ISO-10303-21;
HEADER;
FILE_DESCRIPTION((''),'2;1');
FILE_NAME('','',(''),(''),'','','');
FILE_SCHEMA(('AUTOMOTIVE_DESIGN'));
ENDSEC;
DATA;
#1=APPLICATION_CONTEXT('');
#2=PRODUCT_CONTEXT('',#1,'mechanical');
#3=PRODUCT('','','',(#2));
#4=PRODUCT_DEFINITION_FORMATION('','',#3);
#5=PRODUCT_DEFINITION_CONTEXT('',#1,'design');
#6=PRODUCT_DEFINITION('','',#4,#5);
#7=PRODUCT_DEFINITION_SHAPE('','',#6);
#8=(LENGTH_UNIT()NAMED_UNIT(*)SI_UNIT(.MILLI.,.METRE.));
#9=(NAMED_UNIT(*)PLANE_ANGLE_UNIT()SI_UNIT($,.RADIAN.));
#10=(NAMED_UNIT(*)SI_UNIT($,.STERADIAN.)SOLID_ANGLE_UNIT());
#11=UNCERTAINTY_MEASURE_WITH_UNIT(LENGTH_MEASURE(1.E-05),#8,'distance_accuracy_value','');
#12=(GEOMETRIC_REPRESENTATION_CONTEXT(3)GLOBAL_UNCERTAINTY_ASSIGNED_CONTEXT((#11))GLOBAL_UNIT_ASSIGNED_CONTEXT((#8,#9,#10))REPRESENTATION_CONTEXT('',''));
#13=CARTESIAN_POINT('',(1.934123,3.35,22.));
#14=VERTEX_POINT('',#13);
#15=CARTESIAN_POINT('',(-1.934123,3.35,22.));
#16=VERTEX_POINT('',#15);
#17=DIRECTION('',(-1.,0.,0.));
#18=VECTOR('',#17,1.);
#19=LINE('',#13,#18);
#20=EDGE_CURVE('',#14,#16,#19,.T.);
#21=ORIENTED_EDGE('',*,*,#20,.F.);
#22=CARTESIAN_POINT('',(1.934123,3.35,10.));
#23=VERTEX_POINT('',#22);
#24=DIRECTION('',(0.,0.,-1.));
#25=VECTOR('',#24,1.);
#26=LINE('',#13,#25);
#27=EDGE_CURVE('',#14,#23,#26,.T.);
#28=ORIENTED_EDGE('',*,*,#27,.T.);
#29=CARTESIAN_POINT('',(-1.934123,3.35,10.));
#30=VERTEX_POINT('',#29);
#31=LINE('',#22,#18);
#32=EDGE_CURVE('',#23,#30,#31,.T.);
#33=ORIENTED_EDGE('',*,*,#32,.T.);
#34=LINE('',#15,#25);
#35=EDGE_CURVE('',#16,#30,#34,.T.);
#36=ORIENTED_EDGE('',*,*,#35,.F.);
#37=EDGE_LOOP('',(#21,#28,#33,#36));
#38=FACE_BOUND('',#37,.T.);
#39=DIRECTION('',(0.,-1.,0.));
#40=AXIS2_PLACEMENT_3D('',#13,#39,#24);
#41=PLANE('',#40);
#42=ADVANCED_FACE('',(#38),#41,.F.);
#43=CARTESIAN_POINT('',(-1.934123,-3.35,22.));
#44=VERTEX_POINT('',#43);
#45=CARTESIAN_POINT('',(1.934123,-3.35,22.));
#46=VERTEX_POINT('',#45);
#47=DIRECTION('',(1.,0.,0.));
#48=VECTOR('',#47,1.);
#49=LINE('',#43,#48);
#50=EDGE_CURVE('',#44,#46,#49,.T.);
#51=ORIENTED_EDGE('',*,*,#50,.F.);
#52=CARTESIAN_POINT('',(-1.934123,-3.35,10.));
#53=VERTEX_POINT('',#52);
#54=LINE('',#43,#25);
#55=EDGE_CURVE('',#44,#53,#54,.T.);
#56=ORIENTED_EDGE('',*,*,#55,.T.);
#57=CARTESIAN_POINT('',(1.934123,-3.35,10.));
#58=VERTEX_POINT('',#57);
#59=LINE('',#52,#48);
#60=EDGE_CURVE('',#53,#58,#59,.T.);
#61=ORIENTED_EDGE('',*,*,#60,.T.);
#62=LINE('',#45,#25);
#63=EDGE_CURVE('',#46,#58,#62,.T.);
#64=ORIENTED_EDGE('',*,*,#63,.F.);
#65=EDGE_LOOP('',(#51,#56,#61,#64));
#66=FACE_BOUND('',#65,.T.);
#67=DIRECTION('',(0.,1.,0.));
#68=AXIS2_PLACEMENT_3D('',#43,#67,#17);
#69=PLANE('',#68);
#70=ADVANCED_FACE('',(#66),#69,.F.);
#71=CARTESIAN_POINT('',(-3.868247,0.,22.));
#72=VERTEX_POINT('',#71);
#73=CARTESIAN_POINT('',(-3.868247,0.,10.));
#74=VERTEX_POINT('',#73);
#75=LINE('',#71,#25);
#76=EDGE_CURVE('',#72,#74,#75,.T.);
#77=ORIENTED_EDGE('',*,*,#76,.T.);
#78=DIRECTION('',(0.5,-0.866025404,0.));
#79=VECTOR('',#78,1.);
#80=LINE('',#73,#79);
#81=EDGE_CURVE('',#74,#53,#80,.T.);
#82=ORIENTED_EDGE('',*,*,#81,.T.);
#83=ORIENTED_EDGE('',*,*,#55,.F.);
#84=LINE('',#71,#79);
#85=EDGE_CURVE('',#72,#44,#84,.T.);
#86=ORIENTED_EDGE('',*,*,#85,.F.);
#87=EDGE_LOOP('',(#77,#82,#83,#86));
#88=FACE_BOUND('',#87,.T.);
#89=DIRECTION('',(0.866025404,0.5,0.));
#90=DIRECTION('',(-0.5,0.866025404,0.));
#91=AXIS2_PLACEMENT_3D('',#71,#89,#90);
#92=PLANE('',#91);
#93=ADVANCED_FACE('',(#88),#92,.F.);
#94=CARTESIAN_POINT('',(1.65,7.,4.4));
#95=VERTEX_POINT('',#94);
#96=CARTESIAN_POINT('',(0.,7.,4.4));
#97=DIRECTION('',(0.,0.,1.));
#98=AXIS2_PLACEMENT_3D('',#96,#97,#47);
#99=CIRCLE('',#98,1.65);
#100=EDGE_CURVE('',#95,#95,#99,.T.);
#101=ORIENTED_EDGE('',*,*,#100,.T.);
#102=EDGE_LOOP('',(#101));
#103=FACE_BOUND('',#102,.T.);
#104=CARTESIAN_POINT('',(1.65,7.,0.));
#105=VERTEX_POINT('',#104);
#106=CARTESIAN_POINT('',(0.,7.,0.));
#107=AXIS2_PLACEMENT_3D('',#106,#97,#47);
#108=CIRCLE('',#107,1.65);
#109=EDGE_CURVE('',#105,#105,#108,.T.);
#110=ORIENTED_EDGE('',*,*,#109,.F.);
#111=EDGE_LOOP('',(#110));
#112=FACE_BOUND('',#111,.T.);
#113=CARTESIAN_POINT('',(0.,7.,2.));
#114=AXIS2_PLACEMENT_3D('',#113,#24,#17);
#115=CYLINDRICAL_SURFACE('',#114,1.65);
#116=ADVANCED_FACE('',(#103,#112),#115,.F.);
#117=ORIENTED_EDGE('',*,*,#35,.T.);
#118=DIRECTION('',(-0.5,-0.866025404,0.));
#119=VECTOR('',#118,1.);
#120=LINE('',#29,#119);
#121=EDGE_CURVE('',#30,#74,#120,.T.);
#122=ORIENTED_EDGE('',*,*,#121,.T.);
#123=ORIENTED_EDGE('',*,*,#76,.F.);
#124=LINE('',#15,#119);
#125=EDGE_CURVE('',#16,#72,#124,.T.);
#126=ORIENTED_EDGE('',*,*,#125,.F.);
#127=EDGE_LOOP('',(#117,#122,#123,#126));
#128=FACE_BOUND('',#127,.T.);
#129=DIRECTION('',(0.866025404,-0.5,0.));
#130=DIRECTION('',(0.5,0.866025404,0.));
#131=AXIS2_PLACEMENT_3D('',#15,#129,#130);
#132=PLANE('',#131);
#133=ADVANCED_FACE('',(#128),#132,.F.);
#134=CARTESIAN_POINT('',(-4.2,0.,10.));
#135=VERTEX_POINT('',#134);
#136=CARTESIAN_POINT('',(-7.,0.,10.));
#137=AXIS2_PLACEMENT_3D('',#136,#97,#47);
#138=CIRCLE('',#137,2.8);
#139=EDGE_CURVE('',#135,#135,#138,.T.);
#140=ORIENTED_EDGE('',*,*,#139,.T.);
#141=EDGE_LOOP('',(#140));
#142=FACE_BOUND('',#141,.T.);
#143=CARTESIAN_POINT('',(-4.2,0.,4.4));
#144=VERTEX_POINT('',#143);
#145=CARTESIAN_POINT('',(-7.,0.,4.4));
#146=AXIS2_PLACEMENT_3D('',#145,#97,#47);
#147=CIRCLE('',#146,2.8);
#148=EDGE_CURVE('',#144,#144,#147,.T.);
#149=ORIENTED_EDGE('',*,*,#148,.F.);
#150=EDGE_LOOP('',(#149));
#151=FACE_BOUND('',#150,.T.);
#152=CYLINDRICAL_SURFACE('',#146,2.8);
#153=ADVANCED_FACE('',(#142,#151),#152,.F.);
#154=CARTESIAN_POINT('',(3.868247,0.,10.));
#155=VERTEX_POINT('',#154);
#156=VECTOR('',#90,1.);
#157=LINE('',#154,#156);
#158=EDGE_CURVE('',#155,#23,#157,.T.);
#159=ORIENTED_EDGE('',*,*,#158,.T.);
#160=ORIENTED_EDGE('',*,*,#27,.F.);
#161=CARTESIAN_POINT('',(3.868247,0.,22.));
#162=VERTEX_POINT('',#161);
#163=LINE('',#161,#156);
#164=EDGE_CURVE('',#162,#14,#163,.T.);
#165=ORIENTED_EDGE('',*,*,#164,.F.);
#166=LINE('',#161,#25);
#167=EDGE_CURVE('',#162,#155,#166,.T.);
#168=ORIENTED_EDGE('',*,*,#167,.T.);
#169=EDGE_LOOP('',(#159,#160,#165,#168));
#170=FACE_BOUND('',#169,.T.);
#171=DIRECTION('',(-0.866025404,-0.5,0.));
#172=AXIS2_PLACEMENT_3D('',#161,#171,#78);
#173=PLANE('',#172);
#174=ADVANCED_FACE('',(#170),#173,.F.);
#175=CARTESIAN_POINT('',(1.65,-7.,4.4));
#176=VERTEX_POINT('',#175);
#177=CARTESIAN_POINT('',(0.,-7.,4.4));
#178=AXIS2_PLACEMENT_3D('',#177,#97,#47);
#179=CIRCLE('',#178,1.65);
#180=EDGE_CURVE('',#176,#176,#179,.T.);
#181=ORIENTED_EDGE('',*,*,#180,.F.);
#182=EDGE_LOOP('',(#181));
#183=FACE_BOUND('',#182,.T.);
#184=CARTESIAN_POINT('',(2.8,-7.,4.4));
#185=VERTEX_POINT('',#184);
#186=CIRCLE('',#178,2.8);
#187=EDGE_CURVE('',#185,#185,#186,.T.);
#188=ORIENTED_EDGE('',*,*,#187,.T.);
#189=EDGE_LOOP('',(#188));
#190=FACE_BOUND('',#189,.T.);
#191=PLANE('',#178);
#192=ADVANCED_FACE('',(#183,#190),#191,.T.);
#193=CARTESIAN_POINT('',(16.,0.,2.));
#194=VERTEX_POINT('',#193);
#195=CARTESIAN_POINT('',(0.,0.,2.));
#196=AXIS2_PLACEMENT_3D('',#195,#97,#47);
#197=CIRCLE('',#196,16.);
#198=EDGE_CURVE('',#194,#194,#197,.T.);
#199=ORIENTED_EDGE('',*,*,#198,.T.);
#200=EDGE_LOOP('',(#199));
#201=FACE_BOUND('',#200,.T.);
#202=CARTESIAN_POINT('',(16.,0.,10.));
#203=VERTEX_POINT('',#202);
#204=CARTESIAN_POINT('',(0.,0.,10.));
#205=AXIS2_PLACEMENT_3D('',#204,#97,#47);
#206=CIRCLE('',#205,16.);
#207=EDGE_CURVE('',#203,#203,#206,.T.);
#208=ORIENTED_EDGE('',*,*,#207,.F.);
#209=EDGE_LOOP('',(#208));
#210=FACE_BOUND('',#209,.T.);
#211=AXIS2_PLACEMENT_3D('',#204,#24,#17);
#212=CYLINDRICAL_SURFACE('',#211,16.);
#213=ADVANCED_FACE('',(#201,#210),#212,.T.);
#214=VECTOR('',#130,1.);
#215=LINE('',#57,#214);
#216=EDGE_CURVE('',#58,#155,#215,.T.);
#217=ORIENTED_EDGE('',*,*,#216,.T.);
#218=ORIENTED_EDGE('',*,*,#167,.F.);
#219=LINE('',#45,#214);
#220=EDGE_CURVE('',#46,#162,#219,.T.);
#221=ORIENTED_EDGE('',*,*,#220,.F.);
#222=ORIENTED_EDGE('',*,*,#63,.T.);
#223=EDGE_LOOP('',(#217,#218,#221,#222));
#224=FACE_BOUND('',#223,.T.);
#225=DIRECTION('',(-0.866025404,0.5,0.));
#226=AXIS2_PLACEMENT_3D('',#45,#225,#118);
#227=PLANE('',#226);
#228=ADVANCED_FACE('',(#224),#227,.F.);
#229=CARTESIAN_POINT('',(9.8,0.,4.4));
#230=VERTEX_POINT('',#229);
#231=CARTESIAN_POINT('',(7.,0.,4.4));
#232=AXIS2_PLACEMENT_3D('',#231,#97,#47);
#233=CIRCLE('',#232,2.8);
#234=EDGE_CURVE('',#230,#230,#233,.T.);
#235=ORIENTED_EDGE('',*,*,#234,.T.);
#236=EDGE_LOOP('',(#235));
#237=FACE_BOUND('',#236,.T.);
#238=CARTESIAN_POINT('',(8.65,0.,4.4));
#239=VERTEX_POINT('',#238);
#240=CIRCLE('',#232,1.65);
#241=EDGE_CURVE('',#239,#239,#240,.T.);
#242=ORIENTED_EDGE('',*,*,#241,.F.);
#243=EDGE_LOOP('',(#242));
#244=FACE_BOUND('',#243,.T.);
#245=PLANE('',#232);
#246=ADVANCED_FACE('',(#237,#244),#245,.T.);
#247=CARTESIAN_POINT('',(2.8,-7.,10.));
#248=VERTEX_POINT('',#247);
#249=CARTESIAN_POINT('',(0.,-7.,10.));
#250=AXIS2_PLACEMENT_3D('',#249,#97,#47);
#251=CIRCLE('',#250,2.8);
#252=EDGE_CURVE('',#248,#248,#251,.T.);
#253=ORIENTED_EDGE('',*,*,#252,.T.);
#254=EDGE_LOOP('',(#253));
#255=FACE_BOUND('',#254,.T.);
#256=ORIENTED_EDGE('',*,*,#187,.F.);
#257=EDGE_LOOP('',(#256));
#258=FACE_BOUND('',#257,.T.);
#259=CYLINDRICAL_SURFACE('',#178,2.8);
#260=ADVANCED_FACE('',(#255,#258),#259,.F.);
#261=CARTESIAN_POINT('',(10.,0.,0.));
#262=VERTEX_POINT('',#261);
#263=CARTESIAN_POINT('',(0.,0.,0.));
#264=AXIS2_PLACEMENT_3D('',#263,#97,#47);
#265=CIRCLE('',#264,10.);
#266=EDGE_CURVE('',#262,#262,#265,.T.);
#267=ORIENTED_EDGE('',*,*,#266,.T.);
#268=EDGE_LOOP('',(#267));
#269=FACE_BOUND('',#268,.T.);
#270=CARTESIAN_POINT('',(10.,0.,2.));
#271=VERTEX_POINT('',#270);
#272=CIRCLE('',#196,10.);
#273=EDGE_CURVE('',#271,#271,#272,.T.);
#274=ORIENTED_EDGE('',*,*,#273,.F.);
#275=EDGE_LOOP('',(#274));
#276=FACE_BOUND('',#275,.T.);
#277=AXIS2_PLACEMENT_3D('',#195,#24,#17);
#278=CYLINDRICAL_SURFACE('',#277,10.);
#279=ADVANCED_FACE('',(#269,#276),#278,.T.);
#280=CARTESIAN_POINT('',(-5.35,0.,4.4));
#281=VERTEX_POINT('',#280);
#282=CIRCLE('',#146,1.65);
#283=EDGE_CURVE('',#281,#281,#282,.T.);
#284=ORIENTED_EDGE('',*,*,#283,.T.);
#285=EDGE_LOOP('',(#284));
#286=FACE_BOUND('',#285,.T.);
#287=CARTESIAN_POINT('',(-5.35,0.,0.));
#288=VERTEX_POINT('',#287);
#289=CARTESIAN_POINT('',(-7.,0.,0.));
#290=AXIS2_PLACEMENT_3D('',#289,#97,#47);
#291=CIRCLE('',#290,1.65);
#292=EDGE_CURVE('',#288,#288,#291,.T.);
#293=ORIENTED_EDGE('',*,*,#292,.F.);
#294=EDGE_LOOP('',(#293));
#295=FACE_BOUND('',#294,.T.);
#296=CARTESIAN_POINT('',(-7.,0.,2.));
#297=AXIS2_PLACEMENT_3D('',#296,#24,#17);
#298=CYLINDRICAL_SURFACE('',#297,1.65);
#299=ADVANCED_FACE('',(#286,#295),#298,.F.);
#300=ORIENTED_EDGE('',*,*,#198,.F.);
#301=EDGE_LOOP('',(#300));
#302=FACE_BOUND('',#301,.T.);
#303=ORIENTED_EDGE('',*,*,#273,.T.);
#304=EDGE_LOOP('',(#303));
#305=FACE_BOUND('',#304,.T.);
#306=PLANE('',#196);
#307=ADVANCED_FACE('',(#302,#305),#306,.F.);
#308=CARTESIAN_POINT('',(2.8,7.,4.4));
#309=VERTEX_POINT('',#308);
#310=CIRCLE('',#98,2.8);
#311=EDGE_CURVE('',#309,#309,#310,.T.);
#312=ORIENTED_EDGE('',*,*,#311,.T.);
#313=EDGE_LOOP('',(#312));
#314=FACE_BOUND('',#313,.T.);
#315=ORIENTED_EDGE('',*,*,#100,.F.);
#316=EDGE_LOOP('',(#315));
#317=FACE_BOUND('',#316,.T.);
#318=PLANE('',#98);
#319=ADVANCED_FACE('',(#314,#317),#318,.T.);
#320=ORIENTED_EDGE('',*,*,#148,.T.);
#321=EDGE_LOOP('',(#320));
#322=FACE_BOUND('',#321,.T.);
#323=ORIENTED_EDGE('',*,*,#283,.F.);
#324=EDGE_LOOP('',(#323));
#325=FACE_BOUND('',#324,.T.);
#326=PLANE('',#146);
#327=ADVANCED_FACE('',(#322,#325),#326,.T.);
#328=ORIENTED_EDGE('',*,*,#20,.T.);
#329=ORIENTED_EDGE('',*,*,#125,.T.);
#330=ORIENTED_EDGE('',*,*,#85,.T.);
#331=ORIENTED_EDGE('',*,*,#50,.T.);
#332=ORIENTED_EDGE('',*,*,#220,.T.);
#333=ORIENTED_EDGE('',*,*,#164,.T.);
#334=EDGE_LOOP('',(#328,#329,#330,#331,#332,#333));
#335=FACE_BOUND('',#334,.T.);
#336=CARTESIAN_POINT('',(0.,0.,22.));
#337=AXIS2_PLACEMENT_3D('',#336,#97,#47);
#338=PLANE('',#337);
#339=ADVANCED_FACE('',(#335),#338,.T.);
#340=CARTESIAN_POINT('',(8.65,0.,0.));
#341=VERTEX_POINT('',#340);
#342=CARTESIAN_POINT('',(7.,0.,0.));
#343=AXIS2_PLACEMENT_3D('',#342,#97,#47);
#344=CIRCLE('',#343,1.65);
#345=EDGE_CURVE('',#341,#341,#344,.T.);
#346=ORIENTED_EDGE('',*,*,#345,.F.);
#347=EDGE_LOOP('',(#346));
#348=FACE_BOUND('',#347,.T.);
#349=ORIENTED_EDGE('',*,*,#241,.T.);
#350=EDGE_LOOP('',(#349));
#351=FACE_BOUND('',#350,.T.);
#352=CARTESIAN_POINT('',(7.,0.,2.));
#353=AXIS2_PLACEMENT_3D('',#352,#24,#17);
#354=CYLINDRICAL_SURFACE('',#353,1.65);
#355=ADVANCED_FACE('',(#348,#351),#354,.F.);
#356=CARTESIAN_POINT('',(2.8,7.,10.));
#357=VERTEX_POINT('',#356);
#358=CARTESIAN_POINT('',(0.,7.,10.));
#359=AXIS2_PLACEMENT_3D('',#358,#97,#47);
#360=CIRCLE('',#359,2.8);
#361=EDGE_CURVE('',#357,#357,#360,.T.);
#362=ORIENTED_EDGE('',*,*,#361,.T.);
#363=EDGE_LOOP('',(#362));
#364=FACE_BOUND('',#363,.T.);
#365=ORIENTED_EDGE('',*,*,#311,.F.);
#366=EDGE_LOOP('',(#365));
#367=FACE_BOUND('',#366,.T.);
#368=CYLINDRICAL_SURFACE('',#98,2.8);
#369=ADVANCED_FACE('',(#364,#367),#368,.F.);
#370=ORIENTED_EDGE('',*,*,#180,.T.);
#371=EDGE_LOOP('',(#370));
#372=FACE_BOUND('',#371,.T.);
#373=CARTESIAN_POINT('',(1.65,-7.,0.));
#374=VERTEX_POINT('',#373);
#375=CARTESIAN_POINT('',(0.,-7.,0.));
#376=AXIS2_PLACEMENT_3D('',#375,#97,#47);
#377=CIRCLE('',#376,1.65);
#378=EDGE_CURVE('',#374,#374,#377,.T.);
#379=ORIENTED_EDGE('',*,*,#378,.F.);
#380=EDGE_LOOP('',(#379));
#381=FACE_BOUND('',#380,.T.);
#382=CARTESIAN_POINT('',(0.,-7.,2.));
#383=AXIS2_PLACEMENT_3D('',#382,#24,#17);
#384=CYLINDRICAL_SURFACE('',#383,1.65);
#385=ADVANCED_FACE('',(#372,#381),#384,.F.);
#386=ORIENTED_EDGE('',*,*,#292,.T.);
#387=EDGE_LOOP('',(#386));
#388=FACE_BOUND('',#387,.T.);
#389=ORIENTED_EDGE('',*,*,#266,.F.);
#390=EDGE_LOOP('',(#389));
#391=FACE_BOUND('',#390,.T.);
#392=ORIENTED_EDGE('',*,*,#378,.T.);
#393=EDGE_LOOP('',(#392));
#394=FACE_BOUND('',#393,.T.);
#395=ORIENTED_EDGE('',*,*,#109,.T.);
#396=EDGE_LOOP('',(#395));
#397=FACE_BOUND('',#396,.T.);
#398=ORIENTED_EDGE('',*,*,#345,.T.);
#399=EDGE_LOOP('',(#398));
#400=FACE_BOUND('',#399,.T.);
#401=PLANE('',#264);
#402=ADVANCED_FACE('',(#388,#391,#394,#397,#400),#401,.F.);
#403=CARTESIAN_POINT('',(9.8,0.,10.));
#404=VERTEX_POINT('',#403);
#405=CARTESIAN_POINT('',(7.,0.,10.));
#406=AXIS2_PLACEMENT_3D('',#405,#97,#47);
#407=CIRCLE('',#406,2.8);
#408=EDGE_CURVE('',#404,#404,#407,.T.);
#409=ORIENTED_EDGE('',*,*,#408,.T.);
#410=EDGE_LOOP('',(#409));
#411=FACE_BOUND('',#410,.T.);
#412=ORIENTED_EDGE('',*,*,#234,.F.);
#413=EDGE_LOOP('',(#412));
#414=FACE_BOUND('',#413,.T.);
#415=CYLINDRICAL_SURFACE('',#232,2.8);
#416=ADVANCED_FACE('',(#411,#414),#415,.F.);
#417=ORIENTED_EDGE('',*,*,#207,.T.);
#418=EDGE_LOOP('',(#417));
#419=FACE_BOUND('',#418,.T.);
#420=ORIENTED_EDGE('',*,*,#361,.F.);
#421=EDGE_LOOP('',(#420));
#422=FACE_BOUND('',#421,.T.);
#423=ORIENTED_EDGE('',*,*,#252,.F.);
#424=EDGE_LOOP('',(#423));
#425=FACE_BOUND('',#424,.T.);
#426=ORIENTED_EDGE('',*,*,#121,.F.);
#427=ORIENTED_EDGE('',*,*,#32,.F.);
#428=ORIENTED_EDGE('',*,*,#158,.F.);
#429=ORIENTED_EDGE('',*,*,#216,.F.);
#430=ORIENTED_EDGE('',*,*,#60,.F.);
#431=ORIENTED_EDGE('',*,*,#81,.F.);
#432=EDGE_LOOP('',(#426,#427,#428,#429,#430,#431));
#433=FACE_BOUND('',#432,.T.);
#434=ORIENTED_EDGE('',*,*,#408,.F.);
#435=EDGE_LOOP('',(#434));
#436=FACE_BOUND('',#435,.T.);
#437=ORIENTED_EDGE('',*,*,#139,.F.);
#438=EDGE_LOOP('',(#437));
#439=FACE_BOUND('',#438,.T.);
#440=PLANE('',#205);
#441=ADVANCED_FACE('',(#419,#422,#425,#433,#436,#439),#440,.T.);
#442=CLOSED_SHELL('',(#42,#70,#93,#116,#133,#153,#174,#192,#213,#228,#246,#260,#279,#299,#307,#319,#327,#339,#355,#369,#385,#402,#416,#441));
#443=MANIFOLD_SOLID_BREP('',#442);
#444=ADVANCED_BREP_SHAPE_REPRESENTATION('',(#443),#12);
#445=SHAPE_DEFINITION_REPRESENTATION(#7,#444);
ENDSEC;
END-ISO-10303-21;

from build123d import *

# Parameters (mm, degrees)
SKETCH1_R           = 10
SKETCH1_R_2         = 1.65
BOSS_EXTRUDE1_DEPTH = 2
SKETCH2_R           = 16
BOSS_EXTRUDE2_DEPTH = 8
BOSS_EXTRUDE3_DEPTH = 12
SKETCH4_R           = 1.65
CUT_EXTRUDE1_DEPTH  = 12
SKETCH5_R           = 2.8
CUT_EXTRUDE2_DEPTH  = 5.6


with BuildPart() as part:
    # Sketch1 → Boss-Extrude1 (new body)
    with BuildSketch(Plane.XY):
        Circle(SKETCH1_R)
        with Locations((0, 7)):
            Circle(SKETCH1_R_2, mode=Mode.SUBTRACT)
        with Locations((7, 0)):
            Circle(SKETCH1_R_2, mode=Mode.SUBTRACT)
        with Locations((0, -7)):
            Circle(SKETCH1_R_2, mode=Mode.SUBTRACT)
        with Locations((-7, 0)):
            Circle(SKETCH1_R_2, mode=Mode.SUBTRACT)
    extrude(amount=BOSS_EXTRUDE1_DEPTH)

    # Sketch2 → Boss-Extrude2 (add)
    with BuildSketch(Plane.XY.offset(2)):
        Circle(SKETCH2_R)
    extrude(amount=BOSS_EXTRUDE2_DEPTH)

    # Sketch3 → Boss-Extrude3 (add)
    with BuildSketch(Plane.XY.offset(10)):
        Polygon((3.868246804, 0), (1.934123402, 3.35), (-1.934123402, 3.35), (-3.868246804, 0), (-1.934123402, -3.35), (1.934123402, -3.35), align=None)
    extrude(amount=BOSS_EXTRUDE3_DEPTH)

    # Sketch4 → Cut-Extrude1 (cut)
    with BuildSketch(Plane(origin=(0, 0, 0), x_dir=(-1, 0, 0), z_dir=(0, 0, -1))):
        with Locations(Location((0, -7, 0), (0, 0, 180))):
            Circle(SKETCH4_R)
        with Locations(Location((-7, 0, 0), (0, 0, 180))):
            Circle(SKETCH4_R)
        with Locations(Location((7, 0, 0), (0, 0, 180))):
            Circle(SKETCH4_R)
        with Locations(Location((0, 7, 0), (0, 0, 180))):
            Circle(SKETCH4_R)
    extrude(amount=-CUT_EXTRUDE1_DEPTH, mode=Mode.SUBTRACT)

    # Sketch5 → Cut-Extrude2 (cut)
    with BuildSketch(Plane.XY.offset(10)):
        with Locations((0, 7)):
            Circle(SKETCH5_R)
        with Locations((7, 0)):
            Circle(SKETCH5_R)
        with Locations((0, -7)):
            Circle(SKETCH5_R)
        with Locations((-7, 0)):
            Circle(SKETCH5_R)
    extrude(amount=-CUT_EXTRUDE2_DEPTH, mode=Mode.SUBTRACT)


solid = part.part
